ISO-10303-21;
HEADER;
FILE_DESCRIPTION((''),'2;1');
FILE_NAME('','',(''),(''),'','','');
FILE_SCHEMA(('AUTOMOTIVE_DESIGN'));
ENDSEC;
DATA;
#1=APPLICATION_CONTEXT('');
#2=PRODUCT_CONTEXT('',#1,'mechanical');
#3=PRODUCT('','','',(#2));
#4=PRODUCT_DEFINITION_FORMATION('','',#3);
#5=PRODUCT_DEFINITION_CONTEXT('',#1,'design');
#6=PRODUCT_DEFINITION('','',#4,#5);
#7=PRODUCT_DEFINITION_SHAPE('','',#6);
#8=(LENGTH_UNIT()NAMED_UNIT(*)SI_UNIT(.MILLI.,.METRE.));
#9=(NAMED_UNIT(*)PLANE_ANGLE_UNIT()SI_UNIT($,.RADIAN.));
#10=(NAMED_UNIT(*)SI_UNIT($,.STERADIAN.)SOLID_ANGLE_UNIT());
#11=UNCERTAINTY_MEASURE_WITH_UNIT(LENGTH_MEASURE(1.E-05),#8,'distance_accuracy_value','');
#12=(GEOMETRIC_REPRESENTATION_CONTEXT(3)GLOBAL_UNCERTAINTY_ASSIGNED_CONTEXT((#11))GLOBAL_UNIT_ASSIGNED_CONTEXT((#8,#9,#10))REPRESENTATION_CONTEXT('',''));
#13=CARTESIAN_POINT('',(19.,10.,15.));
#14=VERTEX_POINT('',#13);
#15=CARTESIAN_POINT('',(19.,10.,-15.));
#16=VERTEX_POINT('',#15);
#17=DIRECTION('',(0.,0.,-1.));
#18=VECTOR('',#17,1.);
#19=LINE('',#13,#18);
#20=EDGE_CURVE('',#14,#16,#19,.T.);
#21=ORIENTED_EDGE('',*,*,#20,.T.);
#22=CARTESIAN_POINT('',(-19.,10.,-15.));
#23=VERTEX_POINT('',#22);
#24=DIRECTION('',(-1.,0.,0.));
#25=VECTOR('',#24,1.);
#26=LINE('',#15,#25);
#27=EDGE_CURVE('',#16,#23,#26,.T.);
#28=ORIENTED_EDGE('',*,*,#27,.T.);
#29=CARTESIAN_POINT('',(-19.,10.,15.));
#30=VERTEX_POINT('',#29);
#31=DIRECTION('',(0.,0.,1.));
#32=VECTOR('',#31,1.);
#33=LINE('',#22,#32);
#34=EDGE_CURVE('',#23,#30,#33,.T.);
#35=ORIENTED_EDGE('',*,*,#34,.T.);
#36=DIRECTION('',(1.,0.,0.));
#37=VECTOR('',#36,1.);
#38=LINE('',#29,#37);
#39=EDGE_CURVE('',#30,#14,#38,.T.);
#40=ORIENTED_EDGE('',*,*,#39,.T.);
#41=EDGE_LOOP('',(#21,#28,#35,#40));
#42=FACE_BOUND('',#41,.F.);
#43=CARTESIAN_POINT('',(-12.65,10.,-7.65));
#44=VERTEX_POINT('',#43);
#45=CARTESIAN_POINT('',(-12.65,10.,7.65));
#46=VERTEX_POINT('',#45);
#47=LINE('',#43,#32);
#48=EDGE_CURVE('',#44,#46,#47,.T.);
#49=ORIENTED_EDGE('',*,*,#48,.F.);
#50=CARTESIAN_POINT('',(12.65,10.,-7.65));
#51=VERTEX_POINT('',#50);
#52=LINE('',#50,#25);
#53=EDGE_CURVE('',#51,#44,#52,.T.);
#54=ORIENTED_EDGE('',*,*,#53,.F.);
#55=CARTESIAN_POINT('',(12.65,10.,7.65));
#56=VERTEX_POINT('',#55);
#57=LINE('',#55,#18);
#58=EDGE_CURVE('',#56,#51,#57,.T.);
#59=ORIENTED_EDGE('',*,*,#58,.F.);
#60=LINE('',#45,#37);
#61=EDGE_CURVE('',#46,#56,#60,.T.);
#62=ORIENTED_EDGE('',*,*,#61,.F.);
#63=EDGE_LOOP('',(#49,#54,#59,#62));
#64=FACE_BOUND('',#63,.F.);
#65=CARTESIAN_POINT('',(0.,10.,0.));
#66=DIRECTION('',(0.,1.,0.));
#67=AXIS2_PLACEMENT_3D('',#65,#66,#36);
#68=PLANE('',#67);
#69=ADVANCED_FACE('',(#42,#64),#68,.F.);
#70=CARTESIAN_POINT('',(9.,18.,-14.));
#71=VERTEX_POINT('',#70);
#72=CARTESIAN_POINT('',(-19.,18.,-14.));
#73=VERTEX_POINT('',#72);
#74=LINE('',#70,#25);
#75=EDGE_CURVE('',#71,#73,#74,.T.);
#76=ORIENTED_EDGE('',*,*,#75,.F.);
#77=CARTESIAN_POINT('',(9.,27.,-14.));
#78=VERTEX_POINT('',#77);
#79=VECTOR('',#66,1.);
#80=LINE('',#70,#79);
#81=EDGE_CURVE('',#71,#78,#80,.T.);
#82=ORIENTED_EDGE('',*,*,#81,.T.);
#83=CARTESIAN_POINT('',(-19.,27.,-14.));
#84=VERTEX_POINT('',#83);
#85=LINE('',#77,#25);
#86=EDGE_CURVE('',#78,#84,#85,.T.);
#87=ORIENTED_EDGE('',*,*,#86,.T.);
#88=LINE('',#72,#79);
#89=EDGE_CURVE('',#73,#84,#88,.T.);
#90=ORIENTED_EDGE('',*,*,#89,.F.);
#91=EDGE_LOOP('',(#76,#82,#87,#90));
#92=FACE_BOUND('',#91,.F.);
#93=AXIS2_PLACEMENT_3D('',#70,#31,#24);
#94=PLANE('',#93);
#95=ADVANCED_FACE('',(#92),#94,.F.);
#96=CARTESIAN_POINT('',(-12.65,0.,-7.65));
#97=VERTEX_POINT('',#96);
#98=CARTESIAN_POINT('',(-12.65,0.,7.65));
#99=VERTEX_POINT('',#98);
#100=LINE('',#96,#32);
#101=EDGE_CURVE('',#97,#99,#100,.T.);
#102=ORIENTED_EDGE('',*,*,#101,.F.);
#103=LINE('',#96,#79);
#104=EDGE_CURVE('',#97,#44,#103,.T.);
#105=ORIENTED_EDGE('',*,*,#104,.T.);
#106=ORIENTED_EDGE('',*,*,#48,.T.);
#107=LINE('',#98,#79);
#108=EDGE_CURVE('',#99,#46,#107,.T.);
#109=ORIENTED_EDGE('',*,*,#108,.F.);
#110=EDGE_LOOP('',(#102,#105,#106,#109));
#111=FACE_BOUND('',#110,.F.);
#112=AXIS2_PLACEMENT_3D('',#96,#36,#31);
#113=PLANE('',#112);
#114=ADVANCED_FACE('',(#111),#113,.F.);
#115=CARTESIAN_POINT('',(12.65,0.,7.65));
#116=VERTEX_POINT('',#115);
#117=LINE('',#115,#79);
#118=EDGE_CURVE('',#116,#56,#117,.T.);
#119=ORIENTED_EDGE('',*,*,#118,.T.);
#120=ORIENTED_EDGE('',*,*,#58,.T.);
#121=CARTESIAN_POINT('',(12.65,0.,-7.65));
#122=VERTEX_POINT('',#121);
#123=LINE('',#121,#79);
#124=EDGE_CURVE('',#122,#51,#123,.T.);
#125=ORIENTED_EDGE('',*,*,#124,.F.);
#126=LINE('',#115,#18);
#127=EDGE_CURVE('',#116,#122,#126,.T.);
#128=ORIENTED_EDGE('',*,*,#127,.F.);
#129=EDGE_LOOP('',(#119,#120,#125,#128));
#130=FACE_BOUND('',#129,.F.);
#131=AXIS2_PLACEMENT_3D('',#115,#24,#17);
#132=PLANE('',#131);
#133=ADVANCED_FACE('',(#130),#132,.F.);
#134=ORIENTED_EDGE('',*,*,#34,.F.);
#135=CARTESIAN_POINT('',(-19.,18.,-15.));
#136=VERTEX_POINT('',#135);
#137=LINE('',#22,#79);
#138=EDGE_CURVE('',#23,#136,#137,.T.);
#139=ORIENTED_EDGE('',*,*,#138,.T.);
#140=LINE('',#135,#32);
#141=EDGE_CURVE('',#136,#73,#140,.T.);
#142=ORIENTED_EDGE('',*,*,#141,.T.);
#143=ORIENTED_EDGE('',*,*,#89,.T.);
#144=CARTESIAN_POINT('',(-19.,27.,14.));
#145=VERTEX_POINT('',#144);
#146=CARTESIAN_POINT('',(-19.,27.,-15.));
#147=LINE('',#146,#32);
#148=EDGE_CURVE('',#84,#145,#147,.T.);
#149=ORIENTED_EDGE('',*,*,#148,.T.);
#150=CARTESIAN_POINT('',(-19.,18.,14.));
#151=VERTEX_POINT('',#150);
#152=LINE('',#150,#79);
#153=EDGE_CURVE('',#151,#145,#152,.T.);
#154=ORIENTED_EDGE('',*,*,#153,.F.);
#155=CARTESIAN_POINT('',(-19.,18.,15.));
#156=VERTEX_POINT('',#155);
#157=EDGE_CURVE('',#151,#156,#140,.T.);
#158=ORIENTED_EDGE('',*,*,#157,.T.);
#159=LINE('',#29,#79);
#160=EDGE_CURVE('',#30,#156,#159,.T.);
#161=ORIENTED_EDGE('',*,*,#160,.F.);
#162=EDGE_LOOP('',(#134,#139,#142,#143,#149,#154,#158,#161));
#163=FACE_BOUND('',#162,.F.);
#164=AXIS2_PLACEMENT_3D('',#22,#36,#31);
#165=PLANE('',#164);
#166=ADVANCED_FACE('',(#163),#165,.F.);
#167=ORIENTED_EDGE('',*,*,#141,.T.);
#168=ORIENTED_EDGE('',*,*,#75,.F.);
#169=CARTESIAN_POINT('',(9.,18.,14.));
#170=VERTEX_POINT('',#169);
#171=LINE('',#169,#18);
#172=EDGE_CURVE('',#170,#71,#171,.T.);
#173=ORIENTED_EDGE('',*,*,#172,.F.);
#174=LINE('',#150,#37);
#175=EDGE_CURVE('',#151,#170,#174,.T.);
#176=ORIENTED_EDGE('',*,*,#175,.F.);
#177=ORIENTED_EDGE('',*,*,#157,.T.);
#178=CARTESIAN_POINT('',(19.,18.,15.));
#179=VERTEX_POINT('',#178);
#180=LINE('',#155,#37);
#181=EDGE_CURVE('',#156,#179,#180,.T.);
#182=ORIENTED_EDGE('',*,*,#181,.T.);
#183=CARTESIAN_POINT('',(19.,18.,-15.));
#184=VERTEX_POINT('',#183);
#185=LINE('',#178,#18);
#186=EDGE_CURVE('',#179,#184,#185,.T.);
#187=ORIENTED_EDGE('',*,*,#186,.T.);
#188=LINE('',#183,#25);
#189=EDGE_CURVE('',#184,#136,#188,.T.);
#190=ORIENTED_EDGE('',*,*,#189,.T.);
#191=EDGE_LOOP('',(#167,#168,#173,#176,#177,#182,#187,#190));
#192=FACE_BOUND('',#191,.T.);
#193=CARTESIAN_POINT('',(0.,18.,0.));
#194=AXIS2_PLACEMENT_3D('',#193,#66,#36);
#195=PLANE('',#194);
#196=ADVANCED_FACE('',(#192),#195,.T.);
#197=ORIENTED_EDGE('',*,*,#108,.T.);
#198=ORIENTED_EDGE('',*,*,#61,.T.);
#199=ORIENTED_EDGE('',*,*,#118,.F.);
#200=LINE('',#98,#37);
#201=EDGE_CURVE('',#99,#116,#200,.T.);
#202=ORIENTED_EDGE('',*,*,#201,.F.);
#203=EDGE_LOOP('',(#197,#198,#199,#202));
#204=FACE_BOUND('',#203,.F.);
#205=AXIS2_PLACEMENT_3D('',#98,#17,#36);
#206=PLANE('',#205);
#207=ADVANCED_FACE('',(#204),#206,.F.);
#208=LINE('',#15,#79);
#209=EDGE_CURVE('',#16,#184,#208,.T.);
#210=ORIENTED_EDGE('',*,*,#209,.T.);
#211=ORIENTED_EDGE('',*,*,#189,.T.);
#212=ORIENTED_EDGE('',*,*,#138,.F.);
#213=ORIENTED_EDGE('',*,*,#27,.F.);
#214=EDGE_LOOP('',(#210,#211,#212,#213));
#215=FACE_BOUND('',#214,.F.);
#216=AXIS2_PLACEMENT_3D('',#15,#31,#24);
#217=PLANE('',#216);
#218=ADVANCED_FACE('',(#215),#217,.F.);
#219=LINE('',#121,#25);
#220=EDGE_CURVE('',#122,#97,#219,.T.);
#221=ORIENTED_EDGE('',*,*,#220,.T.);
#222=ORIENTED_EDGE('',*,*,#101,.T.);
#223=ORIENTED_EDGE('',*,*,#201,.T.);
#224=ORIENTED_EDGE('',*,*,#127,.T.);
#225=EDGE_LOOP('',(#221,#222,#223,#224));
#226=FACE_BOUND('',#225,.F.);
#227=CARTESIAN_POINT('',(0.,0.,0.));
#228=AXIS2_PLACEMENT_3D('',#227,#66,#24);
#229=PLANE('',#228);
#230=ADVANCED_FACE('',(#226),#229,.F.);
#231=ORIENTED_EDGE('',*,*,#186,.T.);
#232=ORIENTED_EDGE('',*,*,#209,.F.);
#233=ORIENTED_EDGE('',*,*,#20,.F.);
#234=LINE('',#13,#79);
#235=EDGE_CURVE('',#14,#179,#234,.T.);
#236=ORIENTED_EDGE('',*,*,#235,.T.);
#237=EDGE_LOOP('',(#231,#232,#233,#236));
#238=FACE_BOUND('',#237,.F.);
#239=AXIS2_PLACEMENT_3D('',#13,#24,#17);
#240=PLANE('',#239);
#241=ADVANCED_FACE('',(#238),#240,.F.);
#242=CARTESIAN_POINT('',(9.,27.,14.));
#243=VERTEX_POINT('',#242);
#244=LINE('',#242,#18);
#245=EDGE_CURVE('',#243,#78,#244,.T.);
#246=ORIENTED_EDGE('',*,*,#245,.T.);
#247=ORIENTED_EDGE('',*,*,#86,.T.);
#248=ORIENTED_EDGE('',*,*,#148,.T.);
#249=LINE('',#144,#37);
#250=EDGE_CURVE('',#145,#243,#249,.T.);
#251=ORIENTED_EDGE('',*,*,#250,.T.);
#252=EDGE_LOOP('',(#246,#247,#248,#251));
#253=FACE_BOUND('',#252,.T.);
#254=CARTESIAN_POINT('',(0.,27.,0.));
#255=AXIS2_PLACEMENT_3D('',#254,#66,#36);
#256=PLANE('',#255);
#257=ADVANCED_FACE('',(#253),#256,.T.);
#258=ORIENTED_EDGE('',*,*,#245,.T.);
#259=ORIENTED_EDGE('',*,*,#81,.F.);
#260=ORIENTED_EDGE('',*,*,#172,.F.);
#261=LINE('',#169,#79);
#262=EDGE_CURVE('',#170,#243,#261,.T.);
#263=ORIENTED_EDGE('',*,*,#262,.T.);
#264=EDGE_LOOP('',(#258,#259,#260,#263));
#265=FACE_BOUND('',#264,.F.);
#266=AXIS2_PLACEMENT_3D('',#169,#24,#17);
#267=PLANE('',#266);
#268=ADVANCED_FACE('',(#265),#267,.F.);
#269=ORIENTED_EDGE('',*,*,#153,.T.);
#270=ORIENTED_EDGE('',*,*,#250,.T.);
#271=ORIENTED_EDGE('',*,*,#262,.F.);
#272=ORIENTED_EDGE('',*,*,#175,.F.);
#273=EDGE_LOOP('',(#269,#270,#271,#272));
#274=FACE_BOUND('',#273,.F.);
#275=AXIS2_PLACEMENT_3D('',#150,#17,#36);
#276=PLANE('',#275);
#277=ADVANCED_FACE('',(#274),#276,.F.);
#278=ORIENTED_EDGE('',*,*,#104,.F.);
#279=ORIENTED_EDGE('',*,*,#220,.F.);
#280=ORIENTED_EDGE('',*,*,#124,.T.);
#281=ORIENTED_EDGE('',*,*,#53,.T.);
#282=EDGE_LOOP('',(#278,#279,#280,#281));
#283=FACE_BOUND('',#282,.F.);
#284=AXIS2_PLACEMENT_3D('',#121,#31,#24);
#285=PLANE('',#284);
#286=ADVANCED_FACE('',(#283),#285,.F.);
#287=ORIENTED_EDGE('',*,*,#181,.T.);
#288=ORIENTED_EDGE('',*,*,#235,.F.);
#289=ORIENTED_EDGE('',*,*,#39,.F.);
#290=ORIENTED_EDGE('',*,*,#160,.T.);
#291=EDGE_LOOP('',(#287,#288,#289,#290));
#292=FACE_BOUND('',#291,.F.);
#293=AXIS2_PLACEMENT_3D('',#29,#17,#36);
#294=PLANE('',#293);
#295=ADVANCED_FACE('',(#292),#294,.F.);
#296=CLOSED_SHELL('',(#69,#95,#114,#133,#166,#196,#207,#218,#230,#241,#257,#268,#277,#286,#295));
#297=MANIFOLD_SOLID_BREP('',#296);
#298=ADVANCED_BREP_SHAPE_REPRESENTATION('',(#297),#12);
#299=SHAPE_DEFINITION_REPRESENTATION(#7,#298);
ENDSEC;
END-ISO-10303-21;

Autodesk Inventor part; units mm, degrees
ref_plane "YZ Plane" through (0, 0, 0) normal (1, 0, 0) x (0, 1, 0)
ref_plane "XZ Plane" through (0, 0, 0) normal (0, 1, 0) x (-1, 0, 0)
ref_plane "XY Plane" through (0, 0, 0) normal (0, 0, 1) x (1, 0, 0)
sketch "Sketch1" plane through (0, 0, 0) normal (0, 1, 0) x (-1, 0, 0)
  line L0 (12.65, 7.65) -> (-12.65, 7.65)
  line L1 (-12.65, 7.65) -> (-12.65, -7.65)
  line L2 (-12.65, -7.65) -> (12.65, -7.65)
  line L3 (12.65, -7.65) -> (12.65, 7.65)
  point P0 (0, 0)
  point P1 (0, 7.65)
  point P2 (12.65, 0)
  dimension "d0" = 15.3
  dimension "d1" = 25.3
extrude "Extrusion1" add sketch "Sketch1" along normal blind 10
sketch "Sketch2" plane through (0, 10, 0) normal (0, 1, 0) x (1, 0, 0)
  line L0 (-12.65, -7.65) -> (12.65, -7.65) projected
  line L1 (12.65, -7.65) -> (12.65, 7.65) projected
  line L2 (12.65, 7.65) -> (-12.65, 7.65) projected
  line L3 (-12.65, 7.65) -> (-12.65, -7.65) projected
  line L4 (19, 15) -> (-19, 15)
  line L5 (-19, 15) -> (-19, -15)
  line L6 (-19, -15) -> (19, -15)
  line L7 (19, -15) -> (19, 15)
  point P0 (0, 0)
  point P1 (19, 0)
  point P2 (0, 15)
  dimension "d4" = 30
  dimension "d5" = 38
extrude "Extrusion2" add sketch "Sketch2" along normal blind 8 contours L3 L2 L1 L0 | L7 L6 L5 L4
sketch "Sketch3" plane through (0, 18, 0) normal (0, 1, 0) x (1, 0, 0)
  line L0 (19, 15) -> (-19, 15) projected
  line L1 (-19, 15) -> (-19, -15) projected
  line L2 (-19, -15) -> (19, -15) projected
  line L3 (19, -15) -> (19, 15) projected
  line L4 (-19, -14) -> (9, -14)
  line L5 (9, -14) -> (9, 14)
  line L6 (9, 14) -> (-19, 14)
  line L7 (-19, 14) -> (-19, -14)
  line L8 (-19, -14) -> (-19, 0) construction
  line L9 (-19, 0) -> (9, 0) construction
  point P0 (0, 0)
  point P1 (-19, 0)
  point P2 (-5, 0)
  dimension "d8" = 28
  dimension "d9" = 28
  dimension "d10" = 14
extrude "Extrusion3" add sketch "Sketch3" along normal blind 9 contours L6 L5 L4 L1
properties part number "Modulo"
